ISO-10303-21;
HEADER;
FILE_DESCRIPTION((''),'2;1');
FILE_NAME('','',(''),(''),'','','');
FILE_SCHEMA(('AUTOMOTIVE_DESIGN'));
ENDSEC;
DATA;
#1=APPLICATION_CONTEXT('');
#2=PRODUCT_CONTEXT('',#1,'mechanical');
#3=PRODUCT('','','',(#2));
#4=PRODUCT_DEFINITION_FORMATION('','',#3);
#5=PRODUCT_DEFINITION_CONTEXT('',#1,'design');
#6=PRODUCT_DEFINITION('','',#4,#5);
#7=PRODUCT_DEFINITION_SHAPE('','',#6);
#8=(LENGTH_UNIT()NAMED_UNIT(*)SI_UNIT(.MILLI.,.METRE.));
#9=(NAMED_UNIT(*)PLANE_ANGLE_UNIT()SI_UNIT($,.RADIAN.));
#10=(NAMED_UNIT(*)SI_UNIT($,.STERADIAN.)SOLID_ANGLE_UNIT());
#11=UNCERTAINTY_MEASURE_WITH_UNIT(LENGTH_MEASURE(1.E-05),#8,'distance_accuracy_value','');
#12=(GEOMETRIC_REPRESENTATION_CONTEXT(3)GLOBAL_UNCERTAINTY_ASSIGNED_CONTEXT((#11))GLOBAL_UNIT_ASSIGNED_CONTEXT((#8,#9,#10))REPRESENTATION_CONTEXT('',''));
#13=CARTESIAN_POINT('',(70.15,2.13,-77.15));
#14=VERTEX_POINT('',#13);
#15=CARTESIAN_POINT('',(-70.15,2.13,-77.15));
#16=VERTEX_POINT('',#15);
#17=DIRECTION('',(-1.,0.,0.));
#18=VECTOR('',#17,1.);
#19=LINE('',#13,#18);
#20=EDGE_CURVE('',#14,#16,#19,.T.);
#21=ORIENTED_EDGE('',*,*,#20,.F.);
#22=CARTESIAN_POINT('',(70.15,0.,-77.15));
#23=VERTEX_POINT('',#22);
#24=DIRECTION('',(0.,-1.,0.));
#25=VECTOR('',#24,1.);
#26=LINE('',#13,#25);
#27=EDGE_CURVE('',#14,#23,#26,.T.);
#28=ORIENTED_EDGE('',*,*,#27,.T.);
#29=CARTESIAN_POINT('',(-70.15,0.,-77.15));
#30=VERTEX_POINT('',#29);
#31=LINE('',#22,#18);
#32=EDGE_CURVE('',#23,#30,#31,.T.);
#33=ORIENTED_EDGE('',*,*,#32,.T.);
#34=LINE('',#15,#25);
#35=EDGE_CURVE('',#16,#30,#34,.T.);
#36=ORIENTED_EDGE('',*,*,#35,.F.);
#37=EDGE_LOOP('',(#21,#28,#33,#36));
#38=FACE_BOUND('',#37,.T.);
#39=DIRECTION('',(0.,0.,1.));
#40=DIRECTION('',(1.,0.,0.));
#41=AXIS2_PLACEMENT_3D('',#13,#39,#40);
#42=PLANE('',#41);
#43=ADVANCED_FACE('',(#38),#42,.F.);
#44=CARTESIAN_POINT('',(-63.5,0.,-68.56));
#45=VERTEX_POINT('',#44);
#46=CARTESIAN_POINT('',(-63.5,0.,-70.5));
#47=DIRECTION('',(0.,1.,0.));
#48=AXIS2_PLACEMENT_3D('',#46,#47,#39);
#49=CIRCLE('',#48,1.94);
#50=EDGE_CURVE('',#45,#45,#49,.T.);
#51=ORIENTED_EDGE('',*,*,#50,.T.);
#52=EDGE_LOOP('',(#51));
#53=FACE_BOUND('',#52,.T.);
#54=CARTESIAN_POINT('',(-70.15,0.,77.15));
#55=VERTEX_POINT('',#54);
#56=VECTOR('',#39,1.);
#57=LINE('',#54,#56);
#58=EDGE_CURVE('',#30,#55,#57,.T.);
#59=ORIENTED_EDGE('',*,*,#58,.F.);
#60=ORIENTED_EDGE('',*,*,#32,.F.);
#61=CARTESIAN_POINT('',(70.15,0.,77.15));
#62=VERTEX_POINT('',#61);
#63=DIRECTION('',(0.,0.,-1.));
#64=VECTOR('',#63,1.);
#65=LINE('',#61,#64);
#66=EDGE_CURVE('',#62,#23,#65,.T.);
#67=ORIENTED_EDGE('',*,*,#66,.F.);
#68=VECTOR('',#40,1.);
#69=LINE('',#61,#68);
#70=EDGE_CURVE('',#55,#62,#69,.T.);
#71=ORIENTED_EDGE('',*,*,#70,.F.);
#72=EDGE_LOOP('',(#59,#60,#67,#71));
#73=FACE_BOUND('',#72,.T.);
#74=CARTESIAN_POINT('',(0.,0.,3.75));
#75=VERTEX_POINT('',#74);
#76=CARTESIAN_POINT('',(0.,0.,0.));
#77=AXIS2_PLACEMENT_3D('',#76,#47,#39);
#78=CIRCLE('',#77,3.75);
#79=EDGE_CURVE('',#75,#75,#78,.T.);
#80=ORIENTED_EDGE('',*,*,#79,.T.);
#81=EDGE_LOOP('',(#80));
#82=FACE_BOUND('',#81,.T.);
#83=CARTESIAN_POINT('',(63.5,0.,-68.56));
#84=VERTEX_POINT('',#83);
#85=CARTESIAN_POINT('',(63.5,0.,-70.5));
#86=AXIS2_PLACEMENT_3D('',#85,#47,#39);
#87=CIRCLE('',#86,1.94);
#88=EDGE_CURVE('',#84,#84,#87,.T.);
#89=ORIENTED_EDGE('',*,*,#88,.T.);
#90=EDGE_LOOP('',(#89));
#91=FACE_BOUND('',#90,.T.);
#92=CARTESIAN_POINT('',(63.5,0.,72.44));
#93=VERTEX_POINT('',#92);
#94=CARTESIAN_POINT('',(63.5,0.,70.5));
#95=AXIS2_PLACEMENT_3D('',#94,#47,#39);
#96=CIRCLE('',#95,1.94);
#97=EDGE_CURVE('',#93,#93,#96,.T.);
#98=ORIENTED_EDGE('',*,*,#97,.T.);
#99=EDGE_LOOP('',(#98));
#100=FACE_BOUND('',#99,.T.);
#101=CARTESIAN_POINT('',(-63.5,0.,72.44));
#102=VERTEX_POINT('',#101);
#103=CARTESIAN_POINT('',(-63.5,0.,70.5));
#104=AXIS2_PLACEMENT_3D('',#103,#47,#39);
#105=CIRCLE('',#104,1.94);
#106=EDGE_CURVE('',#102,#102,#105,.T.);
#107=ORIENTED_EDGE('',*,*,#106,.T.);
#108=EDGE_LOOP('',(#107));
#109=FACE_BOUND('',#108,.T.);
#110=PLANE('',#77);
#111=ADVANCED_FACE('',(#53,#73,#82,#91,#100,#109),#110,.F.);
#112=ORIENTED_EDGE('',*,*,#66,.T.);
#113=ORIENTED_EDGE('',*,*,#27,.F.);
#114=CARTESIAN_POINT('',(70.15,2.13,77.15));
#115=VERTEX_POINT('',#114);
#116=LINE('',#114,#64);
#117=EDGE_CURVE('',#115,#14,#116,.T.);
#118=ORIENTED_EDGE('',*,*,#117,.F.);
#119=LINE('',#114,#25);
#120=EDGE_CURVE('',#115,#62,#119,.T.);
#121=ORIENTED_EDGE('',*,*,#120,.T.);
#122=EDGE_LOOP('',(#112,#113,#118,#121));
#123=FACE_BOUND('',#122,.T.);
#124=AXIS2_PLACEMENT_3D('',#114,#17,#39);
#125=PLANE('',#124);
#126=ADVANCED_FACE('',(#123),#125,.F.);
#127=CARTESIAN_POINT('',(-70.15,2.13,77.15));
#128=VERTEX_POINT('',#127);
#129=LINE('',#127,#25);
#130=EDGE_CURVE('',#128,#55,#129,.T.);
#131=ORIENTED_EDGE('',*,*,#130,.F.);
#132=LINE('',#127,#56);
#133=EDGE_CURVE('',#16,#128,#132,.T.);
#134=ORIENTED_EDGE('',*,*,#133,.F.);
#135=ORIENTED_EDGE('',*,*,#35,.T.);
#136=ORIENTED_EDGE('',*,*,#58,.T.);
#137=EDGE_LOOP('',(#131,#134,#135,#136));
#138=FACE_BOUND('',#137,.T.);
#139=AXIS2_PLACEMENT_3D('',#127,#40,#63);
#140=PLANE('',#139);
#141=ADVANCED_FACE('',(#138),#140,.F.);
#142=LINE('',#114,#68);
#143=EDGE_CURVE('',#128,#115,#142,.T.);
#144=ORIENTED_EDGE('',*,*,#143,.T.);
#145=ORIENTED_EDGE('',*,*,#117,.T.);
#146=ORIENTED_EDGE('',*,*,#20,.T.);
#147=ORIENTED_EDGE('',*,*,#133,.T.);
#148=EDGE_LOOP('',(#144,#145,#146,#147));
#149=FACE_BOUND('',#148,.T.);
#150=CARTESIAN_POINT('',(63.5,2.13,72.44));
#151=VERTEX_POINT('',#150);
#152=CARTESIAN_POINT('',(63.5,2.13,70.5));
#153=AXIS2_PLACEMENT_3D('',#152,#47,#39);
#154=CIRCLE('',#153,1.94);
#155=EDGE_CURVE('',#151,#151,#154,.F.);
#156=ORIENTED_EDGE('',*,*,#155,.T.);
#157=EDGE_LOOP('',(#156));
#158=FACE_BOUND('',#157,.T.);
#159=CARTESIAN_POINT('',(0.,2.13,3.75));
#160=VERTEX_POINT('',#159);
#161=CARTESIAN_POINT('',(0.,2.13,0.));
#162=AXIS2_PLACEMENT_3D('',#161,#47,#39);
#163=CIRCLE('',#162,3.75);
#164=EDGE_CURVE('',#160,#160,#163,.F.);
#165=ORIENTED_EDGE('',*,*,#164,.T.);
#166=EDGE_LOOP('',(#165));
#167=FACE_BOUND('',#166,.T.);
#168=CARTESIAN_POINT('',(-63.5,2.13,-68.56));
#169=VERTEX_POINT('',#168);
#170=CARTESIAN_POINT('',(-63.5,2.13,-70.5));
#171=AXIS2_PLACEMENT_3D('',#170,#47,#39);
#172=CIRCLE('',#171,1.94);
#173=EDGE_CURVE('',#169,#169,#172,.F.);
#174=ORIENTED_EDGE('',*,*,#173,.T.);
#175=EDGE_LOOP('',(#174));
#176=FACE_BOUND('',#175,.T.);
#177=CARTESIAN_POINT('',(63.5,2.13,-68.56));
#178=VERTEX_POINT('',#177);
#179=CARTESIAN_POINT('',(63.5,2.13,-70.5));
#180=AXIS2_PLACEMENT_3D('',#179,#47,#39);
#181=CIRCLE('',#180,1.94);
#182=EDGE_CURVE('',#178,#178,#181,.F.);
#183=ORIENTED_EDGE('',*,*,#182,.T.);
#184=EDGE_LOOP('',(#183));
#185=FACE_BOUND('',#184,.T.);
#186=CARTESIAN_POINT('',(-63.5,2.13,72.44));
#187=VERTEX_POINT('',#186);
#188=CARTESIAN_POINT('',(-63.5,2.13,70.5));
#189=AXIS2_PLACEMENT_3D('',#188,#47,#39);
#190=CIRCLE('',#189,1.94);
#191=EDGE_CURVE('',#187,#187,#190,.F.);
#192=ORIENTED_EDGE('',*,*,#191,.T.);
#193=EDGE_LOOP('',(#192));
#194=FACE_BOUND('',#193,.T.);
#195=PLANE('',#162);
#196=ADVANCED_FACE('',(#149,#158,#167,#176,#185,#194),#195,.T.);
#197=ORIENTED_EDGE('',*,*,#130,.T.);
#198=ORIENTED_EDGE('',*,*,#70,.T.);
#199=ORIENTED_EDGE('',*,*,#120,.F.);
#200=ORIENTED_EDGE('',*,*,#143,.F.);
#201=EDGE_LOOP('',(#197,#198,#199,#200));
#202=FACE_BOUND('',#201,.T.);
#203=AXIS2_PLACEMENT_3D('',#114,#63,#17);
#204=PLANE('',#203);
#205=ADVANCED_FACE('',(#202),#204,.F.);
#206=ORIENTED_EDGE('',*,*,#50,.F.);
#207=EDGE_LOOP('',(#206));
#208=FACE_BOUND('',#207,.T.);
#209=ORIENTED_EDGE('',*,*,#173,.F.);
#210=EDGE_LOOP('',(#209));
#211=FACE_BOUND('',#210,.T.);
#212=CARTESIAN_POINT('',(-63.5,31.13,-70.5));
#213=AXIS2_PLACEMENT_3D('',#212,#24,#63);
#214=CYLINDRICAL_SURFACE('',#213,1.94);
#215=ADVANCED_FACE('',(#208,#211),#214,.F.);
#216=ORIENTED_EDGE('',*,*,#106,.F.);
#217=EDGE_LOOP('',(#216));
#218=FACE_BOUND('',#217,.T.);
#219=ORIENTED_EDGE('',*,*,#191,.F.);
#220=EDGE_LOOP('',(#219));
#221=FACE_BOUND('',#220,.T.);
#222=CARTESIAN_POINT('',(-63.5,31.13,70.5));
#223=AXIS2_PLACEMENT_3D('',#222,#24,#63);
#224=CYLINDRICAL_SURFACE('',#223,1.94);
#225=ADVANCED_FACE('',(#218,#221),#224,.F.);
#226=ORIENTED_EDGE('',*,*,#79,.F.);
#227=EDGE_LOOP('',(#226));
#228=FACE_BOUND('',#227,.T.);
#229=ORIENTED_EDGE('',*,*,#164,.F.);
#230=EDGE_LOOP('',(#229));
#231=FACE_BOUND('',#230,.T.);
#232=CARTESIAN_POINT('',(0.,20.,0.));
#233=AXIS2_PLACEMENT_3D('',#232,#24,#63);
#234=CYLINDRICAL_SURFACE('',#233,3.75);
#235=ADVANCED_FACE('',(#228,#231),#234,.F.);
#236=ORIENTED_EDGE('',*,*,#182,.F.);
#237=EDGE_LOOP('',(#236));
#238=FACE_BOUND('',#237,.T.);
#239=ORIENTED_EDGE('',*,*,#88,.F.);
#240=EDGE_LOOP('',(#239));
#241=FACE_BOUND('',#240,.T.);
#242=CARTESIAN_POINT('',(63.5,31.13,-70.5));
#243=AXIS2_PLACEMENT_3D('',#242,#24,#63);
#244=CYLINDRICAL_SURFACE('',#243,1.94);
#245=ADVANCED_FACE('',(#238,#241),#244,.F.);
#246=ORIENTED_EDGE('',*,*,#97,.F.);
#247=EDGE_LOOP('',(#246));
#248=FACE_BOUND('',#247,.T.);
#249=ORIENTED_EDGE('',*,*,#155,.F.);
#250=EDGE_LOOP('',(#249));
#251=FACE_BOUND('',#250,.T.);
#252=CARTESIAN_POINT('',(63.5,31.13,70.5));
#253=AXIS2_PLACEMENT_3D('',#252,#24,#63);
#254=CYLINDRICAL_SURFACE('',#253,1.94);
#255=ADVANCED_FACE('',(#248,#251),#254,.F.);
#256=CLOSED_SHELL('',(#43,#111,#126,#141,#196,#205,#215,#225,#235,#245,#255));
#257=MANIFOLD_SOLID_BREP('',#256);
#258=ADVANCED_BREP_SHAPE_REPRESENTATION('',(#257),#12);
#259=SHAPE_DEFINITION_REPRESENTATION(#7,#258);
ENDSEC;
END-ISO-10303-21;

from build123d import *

# Parameters (mm, degrees)
SKETCH1_W           = 140.3
SKETCH1_H           = 154.3
BOSS_EXTRUDE1_DEPTH = 2.13
SKETCH2_R           = 1.94
CUT_EXTRUDE1_DEPTH  = 31.13
SKETCH3_R           = 3.75
CUT_EXTRUDE2_DEPTH  = 20


with BuildPart() as part:
    # Sketch1 → Boss-Extrude1 (new body)
    with BuildSketch(Plane(origin=(0, 0, 0), x_dir=(1, 0, 0), z_dir=(0, 1, 0))):
        Rectangle(SKETCH1_W, SKETCH1_H)
    extrude(amount=BOSS_EXTRUDE1_DEPTH)

    # Sketch2 → Cut-Extrude1 (cut)
    with BuildSketch(Plane(origin=(0, 0, 0), x_dir=(1, 0, 0), z_dir=(0, 1, 0))):
        with Locations(Location((-63.5, -70.5, 0), (0, 0, 270))):
            Circle(SKETCH2_R)
        with Locations(Location((63.5, -70.5, 0), (0, 0, 270))):
            Circle(SKETCH2_R)
        with Locations(Location((-63.5, 70.5, 0), (0, 0, 270))):
            Circle(SKETCH2_R)
        with Locations(Location((63.5, 70.5, 0), (0, 0, 270))):
            Circle(SKETCH2_R)
    extrude(amount=CUT_EXTRUDE1_DEPTH, mode=Mode.SUBTRACT)

    # Sketch3 → Cut-Extrude2 (cut)
    with BuildSketch(Plane(origin=(0, 0, 0), x_dir=(1, 0, 0), z_dir=(0, 1, 0))):
        with Locations(Location((0, 0, 0), (0, 0, 270))):
            Circle(SKETCH3_R)
    extrude(amount=CUT_EXTRUDE2_DEPTH, mode=Mode.SUBTRACT)


solid = part.part
